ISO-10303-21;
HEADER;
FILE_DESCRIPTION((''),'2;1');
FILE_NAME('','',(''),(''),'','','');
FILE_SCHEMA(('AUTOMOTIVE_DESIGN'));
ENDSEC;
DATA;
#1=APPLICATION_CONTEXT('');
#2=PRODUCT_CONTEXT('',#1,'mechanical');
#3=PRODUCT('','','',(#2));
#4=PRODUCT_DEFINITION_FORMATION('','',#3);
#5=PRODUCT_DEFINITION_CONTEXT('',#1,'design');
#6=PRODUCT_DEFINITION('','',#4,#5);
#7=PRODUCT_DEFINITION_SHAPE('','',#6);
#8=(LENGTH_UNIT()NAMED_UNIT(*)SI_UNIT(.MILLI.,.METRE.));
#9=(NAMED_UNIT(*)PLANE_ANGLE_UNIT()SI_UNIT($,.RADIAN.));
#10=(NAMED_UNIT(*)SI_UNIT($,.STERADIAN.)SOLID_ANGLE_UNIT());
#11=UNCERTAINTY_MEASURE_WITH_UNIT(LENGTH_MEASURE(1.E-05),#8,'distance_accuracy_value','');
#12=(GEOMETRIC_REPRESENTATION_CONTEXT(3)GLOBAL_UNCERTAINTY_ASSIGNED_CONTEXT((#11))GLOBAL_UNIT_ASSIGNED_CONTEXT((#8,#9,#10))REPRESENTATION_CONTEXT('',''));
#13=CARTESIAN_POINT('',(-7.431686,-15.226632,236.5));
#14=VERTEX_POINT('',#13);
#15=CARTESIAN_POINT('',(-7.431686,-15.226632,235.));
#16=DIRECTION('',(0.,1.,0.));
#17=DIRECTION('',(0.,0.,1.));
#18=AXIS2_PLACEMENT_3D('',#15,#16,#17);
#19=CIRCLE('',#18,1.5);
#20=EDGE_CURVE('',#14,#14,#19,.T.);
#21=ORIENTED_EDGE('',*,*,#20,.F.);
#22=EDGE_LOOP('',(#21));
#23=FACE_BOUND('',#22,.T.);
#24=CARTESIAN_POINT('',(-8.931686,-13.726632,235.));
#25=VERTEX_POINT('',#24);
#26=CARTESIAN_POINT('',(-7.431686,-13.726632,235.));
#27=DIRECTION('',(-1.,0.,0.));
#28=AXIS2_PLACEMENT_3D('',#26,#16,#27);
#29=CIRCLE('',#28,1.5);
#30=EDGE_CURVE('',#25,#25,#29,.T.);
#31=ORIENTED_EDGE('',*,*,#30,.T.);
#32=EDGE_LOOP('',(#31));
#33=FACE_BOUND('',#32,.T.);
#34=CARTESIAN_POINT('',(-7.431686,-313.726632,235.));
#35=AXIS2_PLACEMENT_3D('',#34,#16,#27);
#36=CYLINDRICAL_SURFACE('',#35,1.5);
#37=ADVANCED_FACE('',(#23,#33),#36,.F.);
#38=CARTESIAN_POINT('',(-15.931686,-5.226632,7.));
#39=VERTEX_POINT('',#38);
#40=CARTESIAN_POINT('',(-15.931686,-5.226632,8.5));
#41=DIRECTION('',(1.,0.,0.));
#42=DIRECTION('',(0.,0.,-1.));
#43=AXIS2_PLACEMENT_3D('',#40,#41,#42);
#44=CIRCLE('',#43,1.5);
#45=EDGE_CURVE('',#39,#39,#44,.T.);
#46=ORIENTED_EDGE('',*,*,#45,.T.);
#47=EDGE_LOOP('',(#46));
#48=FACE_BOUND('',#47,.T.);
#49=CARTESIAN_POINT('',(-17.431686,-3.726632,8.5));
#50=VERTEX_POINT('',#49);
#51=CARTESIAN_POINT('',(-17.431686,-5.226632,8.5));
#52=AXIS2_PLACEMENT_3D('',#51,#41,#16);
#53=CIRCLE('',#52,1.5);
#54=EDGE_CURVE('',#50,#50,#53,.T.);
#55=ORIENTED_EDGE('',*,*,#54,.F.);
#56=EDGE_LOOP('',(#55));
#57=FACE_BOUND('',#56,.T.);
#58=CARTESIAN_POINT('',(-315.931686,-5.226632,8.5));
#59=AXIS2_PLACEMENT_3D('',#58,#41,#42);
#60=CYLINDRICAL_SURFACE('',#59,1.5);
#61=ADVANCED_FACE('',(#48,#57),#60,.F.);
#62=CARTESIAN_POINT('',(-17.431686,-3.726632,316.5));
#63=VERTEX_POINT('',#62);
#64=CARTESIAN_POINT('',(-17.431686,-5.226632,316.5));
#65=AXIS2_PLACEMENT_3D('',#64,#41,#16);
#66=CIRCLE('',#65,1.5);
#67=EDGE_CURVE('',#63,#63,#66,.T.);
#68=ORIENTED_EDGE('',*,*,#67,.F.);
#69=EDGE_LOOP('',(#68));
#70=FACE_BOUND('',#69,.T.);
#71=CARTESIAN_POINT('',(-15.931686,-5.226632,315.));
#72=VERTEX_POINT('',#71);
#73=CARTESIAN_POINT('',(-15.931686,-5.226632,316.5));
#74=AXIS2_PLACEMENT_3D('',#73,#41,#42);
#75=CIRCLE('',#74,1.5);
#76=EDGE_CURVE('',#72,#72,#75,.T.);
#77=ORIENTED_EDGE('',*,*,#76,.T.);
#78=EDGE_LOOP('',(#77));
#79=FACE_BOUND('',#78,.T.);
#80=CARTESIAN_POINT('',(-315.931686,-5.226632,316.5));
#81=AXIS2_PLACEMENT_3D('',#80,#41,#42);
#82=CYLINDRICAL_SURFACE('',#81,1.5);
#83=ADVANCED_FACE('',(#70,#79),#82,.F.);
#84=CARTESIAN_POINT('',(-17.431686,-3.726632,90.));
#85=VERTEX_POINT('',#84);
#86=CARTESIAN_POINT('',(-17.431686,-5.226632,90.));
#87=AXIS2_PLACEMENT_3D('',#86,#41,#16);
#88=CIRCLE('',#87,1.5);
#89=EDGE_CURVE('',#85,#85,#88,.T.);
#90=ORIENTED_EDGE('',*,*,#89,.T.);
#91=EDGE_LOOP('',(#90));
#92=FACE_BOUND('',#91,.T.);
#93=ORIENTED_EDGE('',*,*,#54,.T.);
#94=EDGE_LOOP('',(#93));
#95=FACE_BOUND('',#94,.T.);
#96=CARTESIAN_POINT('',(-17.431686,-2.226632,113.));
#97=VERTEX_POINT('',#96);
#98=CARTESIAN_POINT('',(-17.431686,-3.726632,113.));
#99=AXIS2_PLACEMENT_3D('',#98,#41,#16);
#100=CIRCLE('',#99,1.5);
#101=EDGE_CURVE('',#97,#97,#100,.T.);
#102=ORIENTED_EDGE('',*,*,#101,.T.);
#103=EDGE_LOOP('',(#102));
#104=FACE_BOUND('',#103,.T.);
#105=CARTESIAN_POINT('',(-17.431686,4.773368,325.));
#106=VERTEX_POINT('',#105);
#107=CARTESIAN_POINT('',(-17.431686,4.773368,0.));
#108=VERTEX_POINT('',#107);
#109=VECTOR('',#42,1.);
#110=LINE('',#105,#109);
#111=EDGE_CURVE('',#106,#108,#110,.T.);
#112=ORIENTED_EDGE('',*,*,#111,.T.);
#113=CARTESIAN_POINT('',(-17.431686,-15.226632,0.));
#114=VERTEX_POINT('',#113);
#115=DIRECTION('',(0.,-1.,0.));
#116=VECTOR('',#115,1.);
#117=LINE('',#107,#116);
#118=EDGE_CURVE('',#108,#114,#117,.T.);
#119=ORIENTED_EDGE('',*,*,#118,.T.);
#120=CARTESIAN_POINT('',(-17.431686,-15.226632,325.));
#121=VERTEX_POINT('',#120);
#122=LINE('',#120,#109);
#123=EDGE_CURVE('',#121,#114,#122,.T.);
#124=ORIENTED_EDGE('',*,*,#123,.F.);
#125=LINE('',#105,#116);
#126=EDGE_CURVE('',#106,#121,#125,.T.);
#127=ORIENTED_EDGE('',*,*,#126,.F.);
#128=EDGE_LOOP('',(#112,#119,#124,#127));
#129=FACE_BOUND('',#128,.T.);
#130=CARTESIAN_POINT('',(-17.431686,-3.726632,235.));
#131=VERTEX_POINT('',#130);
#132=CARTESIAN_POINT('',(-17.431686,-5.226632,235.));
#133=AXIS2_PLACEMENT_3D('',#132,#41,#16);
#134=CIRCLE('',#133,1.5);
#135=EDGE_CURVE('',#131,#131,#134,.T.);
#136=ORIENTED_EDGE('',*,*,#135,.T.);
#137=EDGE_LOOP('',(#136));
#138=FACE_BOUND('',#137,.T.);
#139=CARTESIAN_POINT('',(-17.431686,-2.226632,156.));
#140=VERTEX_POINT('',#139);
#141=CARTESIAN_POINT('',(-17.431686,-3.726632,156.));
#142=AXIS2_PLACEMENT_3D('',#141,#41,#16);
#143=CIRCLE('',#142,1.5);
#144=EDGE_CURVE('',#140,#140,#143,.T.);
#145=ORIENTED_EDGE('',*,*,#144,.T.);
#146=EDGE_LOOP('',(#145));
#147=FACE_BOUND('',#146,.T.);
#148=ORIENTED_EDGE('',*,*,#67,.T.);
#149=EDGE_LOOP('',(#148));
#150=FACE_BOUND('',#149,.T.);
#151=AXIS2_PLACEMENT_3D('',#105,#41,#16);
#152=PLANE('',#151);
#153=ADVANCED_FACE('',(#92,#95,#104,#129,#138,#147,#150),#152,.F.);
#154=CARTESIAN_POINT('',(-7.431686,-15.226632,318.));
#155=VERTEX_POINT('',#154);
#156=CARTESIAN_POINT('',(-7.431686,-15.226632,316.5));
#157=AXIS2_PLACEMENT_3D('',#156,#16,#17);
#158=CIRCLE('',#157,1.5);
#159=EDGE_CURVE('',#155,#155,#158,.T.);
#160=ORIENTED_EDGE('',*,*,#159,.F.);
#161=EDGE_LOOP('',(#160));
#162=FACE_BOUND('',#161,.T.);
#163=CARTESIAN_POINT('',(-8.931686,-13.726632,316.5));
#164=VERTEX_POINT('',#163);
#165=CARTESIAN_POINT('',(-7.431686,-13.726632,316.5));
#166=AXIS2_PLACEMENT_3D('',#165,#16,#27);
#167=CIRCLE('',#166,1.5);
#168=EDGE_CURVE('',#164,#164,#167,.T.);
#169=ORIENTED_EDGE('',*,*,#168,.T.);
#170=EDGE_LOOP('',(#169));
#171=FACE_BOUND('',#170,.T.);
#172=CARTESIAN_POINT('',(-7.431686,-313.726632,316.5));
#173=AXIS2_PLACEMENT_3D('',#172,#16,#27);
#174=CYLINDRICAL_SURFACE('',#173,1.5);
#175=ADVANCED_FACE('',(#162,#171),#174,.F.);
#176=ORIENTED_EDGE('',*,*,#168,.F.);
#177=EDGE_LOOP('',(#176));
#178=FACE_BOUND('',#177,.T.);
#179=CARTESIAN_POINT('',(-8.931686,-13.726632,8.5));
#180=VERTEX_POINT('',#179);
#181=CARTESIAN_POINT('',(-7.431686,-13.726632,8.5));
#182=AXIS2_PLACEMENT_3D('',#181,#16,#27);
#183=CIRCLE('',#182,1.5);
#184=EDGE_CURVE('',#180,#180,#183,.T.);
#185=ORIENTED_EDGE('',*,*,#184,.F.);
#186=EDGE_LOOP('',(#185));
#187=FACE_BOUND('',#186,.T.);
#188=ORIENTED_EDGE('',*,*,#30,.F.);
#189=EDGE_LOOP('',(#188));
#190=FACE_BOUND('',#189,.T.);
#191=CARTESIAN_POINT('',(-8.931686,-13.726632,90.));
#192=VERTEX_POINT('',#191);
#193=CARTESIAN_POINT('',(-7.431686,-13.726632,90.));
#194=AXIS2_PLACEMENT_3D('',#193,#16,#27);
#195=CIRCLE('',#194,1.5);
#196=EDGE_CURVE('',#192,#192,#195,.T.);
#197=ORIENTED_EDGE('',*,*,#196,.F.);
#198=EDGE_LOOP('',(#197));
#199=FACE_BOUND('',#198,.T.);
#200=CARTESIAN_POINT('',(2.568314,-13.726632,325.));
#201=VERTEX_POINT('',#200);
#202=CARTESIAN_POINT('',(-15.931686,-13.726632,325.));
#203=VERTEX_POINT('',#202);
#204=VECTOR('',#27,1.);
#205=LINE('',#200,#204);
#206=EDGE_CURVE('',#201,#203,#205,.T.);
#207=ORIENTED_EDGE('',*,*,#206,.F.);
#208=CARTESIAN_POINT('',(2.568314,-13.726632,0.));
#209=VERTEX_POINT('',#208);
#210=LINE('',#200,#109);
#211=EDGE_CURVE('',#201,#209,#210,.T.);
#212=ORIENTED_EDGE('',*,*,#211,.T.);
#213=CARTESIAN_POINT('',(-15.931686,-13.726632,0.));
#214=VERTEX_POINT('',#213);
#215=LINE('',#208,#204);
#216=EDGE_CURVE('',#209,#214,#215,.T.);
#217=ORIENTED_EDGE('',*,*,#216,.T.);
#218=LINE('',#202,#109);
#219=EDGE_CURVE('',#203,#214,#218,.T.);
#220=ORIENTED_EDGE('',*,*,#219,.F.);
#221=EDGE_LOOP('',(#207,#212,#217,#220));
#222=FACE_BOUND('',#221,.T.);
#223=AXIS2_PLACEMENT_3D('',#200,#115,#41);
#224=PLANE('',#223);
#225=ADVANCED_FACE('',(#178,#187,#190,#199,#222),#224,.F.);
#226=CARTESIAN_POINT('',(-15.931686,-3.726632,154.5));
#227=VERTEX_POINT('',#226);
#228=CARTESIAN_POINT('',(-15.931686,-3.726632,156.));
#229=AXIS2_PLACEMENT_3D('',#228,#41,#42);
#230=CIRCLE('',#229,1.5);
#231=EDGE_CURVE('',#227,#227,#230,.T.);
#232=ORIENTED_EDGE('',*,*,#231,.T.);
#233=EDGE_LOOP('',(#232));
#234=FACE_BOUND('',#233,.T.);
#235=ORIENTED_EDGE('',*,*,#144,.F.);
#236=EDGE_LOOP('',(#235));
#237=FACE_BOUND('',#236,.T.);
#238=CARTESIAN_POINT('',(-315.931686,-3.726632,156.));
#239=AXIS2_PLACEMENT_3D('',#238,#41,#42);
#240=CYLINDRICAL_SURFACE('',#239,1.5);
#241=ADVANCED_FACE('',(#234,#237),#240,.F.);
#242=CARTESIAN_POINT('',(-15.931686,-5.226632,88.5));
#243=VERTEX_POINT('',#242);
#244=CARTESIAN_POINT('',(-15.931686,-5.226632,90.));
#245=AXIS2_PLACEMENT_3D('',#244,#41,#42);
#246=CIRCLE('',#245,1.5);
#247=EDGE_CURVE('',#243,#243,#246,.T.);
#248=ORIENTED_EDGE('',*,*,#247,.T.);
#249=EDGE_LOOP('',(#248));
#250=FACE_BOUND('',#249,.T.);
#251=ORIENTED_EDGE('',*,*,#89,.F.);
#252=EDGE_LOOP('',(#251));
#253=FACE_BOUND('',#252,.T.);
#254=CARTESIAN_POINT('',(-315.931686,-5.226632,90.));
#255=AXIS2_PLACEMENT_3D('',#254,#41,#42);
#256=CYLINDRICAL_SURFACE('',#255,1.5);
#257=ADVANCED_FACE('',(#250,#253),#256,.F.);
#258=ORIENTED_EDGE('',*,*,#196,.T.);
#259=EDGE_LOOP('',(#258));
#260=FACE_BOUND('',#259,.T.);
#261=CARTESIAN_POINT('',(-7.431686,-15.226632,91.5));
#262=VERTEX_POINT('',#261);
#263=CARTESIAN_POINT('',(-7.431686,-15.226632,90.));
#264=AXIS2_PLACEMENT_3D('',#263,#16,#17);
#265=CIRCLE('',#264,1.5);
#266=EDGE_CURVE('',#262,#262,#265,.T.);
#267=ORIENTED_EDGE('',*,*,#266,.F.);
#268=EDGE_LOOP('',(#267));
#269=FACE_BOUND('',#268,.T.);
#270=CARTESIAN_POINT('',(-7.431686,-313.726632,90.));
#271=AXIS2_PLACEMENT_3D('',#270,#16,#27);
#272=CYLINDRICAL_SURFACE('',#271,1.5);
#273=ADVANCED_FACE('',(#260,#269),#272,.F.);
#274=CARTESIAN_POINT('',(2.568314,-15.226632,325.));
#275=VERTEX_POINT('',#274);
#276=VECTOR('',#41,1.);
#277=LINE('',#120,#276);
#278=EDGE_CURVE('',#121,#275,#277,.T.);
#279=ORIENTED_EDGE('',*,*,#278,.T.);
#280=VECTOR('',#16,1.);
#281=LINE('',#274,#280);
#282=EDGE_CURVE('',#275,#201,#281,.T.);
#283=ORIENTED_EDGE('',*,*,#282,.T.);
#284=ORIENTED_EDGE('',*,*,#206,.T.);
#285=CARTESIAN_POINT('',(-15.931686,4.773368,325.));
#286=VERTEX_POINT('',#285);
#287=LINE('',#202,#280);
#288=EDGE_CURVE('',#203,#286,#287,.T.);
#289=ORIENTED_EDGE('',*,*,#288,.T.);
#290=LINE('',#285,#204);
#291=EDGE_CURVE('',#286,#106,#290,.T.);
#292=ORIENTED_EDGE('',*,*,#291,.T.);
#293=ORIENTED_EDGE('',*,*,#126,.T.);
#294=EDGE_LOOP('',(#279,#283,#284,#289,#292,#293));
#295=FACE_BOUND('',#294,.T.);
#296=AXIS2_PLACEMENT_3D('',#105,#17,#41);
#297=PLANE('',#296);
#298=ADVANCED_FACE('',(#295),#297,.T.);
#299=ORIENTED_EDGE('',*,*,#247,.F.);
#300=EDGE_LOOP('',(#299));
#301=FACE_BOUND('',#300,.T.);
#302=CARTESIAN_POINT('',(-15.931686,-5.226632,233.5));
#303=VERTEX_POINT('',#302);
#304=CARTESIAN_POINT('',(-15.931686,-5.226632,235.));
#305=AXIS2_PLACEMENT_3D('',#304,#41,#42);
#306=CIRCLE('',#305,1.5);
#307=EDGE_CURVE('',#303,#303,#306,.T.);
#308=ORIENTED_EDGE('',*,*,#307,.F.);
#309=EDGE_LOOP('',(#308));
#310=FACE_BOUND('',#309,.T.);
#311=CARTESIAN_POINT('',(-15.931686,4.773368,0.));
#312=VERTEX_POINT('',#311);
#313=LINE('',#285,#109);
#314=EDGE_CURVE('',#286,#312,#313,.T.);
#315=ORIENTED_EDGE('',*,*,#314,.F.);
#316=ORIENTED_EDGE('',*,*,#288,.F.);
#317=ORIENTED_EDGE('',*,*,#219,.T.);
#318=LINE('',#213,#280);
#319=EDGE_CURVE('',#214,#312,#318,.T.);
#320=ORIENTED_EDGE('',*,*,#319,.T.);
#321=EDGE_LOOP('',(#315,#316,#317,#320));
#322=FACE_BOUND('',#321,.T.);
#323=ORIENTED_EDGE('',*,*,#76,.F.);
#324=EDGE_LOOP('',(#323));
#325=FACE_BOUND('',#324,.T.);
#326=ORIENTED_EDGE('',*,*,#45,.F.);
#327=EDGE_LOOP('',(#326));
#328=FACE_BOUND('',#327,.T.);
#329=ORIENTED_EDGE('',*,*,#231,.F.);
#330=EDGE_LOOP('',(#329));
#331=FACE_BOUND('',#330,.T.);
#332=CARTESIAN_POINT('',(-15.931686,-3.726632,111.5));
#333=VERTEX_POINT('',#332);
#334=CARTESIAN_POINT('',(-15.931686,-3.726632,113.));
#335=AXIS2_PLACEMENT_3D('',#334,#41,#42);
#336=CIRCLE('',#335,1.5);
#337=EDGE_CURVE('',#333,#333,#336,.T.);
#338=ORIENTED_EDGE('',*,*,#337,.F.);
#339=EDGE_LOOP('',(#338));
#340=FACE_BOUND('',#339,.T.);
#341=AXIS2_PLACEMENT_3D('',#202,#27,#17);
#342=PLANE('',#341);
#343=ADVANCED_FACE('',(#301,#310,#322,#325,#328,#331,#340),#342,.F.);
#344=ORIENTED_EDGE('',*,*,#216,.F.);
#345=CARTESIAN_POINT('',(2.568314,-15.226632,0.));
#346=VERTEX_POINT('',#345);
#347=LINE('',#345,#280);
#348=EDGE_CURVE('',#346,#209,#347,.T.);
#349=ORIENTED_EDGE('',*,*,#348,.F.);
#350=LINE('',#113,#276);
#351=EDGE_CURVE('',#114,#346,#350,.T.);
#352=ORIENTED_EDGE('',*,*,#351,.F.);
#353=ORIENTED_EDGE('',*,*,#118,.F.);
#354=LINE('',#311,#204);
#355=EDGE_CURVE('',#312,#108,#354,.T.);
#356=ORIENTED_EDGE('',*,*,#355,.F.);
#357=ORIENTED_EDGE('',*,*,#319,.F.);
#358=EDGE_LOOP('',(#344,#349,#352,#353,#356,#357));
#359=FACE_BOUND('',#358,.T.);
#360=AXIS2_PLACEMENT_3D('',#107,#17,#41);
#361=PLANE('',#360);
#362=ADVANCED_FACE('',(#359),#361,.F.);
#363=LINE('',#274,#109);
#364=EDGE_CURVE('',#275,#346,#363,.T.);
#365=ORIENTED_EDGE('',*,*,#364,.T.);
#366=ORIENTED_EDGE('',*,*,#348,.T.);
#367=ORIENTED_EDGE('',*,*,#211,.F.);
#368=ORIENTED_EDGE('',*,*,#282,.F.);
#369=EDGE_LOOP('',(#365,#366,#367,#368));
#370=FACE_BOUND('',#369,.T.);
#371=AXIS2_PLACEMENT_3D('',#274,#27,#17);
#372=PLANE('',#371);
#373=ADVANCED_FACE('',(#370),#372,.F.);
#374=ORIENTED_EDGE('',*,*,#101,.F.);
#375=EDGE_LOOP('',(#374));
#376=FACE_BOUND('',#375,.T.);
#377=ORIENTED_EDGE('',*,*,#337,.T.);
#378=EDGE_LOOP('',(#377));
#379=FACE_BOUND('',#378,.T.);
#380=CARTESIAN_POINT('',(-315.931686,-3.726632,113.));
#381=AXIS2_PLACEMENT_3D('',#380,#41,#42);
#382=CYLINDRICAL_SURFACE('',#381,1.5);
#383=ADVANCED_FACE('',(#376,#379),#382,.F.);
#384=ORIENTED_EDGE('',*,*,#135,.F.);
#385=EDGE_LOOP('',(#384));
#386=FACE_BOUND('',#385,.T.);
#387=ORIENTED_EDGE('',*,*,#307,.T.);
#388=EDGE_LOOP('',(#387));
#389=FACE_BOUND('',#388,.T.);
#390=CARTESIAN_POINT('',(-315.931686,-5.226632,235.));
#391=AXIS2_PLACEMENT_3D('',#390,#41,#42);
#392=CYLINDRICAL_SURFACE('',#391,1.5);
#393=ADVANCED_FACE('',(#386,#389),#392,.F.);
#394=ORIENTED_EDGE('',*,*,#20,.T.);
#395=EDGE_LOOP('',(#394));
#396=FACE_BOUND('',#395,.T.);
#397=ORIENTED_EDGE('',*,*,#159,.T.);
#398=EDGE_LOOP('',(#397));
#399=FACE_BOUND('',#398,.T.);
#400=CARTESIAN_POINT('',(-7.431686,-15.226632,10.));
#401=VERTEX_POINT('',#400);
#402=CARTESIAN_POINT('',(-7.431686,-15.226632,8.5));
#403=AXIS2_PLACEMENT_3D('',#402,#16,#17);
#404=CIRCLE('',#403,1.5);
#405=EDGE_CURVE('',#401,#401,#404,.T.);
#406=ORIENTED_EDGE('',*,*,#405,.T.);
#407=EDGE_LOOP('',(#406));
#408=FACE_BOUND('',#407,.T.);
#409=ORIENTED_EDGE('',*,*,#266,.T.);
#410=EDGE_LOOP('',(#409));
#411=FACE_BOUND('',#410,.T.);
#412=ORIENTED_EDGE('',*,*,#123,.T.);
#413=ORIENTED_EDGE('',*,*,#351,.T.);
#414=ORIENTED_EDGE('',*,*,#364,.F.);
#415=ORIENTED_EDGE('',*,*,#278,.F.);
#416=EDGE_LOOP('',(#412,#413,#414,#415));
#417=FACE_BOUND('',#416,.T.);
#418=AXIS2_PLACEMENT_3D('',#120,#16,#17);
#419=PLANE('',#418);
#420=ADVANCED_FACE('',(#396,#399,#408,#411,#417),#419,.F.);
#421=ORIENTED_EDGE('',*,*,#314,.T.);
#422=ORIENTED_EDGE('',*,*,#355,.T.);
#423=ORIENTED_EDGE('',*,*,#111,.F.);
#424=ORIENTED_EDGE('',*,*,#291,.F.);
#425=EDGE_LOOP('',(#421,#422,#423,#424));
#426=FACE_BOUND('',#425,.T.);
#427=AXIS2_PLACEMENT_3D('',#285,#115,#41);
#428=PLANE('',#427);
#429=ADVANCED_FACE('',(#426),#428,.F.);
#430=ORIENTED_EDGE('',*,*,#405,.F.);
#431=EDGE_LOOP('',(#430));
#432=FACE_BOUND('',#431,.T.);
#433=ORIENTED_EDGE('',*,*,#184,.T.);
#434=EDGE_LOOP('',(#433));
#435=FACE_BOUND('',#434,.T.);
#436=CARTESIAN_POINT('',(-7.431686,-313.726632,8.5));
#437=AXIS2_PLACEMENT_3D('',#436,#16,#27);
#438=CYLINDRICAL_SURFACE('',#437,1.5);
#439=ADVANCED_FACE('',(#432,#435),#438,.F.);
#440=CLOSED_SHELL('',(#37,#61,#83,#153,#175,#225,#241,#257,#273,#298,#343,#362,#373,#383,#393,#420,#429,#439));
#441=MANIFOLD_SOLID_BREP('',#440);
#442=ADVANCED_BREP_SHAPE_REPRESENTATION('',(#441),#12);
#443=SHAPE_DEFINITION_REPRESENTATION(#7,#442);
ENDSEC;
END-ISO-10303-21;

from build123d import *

# Parameters (mm, degrees)
EXTRUSION1_DEPTH = 325
ESQUISSE2_R      = 1.5
EXTRUSION2_DEPTH = 300
ESQUISSE3_R      = 1.5
EXTRUSION3_DEPTH = 300


with BuildPart() as part:
    # Esquisse1 → Extrusion1 (new body)
    with BuildSketch(Plane.XY):
        Polygon((-17.43168638, 4.773368421), (-17.43168638, -15.226631579), (2.56831362, -15.226631579), (2.56831362, -13.726631579), (-15.93168638, -13.726631579), (-15.93168638, 4.773368421), align=None)
    extrude(amount=EXTRUSION1_DEPTH)

    # Esquisse2 → Extrusion2 (cut)
    with BuildSketch(Plane(origin=(0, -13.726631579, 0), x_dir=(-1, 0, 0), z_dir=(0, 1, 0))):
        with Locations((7.43168638, 8.5)):
            Circle(ESQUISSE2_R)
        with Locations((7.43168638, 316.5)):
            Circle(ESQUISSE2_R)
        with Locations((7.43168638, 235)):
            Circle(ESQUISSE2_R)
        with Locations((7.43168638, 90)):
            Circle(ESQUISSE2_R)
    extrude(amount=-EXTRUSION2_DEPTH, mode=Mode.SUBTRACT)

    # Esquisse3 → Extrusion3 (cut)
    with BuildSketch(Plane(origin=(-15.93168638, 0, 0), x_dir=(0, 0, -1), z_dir=(1, 0, 0))):
        with Locations((-316.5, -5.226631579)):
            Circle(ESQUISSE3_R)
        with Locations((-8.5, -5.226631579)):
            Circle(ESQUISSE3_R)
        with Locations((-235, -5.226631579)):
            Circle(ESQUISSE3_R)
        with Locations((-90, -5.226631579)):
            Circle(ESQUISSE3_R)
        with Locations((-113, -3.726631579)):
            Circle(ESQUISSE3_R)
        with Locations((-156, -3.726631579)):
            Circle(ESQUISSE3_R)
    extrude(amount=-EXTRUSION3_DEPTH, mode=Mode.SUBTRACT)


solid = part.part
